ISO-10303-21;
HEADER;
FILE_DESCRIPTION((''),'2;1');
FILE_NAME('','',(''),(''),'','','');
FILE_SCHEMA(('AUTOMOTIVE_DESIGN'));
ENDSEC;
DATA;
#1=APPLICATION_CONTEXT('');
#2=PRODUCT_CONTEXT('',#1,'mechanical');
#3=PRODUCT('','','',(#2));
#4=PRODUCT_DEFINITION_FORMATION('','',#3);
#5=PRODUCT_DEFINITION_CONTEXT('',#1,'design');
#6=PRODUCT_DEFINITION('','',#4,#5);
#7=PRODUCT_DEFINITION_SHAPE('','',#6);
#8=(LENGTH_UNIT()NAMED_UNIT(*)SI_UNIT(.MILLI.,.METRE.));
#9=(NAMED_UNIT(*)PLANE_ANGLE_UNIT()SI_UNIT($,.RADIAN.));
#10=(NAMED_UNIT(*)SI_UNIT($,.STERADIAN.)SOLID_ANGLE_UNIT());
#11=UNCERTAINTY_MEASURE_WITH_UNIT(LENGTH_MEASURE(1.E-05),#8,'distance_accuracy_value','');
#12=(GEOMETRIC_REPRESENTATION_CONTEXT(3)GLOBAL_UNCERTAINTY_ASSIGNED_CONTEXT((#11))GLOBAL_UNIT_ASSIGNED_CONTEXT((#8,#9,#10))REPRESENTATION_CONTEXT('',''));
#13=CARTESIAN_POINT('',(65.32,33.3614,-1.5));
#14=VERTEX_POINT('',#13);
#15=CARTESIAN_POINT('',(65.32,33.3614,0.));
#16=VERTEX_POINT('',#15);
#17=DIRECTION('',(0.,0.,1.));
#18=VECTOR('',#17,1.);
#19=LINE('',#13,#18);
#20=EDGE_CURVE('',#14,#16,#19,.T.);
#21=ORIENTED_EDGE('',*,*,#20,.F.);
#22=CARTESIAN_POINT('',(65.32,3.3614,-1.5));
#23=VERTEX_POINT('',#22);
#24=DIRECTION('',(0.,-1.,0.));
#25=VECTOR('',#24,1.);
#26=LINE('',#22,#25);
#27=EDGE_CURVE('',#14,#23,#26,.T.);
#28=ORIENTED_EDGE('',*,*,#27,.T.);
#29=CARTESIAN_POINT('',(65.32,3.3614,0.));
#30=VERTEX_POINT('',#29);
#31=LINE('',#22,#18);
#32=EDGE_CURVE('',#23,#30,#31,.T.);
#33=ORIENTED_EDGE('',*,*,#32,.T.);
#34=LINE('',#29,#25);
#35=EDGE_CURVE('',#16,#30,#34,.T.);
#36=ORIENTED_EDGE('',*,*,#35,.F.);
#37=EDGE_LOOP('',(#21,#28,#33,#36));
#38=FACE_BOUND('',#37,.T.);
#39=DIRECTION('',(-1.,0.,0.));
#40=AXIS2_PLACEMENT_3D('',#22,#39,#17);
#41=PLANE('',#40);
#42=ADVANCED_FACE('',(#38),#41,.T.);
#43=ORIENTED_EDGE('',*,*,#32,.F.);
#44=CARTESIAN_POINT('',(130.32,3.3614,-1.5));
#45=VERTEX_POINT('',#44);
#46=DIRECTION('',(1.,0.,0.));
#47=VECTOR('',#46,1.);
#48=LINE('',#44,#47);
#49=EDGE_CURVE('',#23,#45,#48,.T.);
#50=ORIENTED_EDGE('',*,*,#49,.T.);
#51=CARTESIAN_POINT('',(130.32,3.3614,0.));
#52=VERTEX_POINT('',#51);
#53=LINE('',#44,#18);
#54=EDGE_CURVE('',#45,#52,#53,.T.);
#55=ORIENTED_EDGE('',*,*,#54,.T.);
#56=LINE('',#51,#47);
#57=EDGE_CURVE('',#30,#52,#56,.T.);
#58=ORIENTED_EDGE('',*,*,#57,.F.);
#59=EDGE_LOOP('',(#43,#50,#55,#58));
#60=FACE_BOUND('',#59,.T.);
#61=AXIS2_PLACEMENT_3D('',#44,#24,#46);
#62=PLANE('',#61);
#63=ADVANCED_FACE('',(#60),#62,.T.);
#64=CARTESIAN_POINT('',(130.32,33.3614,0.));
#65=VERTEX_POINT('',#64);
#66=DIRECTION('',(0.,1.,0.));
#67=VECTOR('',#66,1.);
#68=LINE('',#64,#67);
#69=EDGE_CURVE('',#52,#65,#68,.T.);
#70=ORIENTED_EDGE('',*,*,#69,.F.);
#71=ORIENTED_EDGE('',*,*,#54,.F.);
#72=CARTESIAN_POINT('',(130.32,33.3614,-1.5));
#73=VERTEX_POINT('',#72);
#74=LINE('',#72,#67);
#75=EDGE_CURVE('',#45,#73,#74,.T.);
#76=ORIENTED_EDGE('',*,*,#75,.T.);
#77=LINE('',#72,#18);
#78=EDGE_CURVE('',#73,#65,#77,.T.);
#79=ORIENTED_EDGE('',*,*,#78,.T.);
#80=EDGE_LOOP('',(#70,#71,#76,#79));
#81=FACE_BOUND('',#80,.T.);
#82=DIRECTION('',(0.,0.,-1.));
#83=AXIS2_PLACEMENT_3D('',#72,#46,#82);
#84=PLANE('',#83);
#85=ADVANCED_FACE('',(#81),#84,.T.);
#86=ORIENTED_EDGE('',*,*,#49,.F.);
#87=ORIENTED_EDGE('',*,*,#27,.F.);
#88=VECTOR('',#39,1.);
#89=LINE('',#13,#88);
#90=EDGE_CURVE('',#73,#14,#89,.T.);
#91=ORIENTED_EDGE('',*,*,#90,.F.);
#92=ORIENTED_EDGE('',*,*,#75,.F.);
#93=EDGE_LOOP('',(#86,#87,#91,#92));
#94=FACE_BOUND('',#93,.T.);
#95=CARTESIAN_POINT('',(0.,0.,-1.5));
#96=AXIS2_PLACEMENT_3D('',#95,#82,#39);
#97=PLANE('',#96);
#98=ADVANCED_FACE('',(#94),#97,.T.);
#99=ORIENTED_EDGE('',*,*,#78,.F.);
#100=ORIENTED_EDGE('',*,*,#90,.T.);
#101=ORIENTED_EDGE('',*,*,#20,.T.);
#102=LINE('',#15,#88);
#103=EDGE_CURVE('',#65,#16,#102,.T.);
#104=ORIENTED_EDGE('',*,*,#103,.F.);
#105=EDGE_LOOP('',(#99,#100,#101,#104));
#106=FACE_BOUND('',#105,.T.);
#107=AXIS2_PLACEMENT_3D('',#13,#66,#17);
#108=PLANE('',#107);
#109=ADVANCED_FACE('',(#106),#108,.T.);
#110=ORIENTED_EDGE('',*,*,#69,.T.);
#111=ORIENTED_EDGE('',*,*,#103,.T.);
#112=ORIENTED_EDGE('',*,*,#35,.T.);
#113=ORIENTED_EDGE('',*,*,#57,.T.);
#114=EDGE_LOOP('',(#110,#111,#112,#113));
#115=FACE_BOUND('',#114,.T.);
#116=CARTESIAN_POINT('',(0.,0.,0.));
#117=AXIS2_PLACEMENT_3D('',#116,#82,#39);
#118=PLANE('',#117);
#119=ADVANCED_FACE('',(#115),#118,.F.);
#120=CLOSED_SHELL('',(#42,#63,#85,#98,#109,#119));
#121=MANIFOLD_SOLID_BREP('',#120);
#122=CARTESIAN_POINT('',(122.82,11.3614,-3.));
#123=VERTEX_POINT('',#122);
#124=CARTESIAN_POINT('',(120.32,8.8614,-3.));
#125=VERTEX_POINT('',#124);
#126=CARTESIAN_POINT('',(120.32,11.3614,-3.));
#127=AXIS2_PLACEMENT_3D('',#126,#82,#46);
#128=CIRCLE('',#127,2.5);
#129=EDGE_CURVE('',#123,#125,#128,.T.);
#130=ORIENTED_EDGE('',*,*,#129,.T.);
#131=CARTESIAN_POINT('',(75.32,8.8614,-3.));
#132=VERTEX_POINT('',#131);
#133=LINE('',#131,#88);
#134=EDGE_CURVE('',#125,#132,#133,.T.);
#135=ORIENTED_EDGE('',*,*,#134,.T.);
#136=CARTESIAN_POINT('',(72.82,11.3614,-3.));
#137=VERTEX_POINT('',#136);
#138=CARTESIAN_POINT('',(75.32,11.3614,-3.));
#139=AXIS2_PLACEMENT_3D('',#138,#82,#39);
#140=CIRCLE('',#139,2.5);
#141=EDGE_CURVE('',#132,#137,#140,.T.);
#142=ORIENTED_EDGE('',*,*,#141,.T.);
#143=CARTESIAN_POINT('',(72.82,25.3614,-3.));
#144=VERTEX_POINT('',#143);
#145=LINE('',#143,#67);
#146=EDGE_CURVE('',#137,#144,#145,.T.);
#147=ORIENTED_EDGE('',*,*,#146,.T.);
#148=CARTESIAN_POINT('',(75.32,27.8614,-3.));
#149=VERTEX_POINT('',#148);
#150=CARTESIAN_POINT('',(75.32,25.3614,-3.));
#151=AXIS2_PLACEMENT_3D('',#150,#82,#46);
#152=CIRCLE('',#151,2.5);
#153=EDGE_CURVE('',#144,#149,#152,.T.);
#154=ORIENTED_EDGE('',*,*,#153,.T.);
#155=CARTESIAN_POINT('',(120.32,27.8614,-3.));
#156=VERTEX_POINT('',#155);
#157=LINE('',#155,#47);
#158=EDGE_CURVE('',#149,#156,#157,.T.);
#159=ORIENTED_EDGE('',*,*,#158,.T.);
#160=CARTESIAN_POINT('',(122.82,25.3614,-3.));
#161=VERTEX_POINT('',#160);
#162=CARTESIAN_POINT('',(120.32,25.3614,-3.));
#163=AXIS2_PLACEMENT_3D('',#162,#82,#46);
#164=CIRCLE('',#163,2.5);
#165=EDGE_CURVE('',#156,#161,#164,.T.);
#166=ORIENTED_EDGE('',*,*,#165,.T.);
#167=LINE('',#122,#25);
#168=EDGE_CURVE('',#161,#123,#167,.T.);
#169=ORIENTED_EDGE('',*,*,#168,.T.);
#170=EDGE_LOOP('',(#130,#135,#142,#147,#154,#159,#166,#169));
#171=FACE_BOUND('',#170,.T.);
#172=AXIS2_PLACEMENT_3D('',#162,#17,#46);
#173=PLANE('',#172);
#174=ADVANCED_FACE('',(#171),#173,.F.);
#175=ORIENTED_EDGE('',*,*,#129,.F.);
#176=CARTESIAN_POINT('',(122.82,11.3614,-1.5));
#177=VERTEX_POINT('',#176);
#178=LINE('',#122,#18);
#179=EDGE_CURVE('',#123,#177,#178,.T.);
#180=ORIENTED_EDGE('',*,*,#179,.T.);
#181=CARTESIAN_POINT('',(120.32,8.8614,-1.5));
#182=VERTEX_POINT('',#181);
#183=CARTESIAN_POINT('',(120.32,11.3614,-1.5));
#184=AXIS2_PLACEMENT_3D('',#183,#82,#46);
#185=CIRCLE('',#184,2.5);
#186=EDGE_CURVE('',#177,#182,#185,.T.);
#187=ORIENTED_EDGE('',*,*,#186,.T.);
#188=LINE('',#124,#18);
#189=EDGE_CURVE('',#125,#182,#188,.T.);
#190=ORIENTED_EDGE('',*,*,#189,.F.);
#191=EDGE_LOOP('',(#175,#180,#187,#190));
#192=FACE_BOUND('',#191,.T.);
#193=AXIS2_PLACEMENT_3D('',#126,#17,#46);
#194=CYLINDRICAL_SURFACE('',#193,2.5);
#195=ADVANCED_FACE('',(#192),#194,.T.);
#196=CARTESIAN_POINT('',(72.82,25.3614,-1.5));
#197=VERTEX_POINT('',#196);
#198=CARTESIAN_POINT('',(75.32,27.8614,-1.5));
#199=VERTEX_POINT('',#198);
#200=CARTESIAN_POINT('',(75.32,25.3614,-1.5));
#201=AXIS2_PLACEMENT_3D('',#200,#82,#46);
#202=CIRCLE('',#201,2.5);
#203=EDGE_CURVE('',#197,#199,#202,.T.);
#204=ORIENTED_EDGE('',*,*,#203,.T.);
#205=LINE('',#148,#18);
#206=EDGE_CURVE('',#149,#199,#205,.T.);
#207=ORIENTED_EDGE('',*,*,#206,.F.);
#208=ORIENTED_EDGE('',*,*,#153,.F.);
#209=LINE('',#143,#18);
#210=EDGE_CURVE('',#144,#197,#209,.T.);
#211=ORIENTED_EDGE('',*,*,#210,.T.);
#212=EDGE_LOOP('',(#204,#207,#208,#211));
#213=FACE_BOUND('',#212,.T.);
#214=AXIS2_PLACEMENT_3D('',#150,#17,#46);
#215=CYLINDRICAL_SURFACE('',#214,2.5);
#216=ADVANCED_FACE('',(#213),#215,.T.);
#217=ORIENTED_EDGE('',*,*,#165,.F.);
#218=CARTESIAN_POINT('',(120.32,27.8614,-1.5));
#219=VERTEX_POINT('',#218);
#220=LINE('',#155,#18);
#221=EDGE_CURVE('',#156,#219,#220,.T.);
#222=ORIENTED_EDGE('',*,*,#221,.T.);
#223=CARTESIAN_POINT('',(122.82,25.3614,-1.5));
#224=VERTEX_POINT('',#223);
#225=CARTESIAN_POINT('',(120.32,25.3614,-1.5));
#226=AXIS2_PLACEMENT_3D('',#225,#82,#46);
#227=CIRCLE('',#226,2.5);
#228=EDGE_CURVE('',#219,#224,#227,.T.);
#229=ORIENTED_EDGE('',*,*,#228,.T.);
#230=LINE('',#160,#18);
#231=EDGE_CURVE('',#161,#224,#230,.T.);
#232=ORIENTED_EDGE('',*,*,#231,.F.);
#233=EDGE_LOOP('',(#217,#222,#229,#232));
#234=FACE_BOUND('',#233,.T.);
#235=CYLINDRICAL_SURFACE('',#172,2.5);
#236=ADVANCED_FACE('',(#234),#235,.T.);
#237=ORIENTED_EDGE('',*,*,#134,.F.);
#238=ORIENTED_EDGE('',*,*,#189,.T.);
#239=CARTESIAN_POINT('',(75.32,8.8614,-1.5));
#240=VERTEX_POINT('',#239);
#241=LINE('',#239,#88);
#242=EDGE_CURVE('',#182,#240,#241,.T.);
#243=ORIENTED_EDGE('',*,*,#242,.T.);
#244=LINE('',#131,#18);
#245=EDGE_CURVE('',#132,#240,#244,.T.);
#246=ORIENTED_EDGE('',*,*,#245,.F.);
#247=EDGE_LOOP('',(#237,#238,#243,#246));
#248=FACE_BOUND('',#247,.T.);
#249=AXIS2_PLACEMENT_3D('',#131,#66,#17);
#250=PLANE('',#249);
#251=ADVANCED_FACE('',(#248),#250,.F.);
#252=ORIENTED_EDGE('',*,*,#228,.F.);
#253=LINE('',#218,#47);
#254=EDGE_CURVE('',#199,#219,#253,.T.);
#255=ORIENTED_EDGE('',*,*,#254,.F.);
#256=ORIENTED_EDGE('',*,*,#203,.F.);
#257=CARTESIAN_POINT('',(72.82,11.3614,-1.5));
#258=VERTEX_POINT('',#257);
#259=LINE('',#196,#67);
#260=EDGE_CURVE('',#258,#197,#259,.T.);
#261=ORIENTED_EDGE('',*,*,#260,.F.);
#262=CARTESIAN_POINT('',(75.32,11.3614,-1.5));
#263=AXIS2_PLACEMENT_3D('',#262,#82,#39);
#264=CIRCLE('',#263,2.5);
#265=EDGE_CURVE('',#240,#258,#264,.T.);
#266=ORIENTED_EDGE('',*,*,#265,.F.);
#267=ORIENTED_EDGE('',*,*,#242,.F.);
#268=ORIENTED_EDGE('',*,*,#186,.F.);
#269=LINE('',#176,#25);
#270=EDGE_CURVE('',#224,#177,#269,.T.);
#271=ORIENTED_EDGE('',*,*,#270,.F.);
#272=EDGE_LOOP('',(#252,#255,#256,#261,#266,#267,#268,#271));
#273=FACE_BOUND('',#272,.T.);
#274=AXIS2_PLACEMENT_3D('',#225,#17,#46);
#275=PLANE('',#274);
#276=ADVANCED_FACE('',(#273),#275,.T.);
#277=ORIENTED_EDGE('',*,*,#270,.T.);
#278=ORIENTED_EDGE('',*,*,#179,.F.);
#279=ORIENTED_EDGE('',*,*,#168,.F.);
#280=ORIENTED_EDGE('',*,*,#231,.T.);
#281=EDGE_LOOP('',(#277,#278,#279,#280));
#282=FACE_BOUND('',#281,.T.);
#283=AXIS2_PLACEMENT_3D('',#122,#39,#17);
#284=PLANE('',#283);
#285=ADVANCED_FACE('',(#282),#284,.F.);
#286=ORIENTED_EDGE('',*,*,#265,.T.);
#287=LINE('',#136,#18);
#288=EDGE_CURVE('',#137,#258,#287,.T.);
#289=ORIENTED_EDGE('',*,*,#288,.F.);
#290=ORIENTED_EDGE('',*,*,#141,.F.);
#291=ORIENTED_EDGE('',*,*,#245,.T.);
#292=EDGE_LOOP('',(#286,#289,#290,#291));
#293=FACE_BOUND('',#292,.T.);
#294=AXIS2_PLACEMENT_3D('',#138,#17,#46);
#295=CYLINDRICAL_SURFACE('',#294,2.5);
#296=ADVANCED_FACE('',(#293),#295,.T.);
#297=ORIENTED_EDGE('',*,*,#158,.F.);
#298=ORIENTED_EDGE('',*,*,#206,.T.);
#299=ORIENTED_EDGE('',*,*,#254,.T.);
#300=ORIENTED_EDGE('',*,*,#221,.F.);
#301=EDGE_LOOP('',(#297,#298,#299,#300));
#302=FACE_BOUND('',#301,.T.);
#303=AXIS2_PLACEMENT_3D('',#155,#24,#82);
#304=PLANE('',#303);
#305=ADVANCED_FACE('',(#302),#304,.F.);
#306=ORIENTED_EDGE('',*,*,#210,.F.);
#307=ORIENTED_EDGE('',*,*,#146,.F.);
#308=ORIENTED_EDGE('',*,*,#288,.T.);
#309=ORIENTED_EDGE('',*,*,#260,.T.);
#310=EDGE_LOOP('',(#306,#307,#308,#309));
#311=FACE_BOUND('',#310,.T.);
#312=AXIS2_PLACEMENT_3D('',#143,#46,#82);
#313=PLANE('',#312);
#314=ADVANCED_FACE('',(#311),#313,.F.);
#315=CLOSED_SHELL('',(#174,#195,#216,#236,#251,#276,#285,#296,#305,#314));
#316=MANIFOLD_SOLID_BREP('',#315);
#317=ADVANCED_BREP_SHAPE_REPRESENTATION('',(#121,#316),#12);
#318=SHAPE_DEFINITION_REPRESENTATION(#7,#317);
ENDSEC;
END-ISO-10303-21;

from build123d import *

# Parameters (mm, degrees)
SKETCH1_W           = 65
SKETCH1_H           = 30
BOSS_EXTRUDE1_DEPTH = 1.5
BOSS_EXTRUDE2_DEPTH = 1.5


with BuildPart() as part:
    # Sketch1 → Boss-Extrude1 (new body)
    with BuildSketch(Plane.XY):
        with Locations((97.82, 18.3614)):
            Rectangle(SKETCH1_W, SKETCH1_H)
    extrude(amount=-BOSS_EXTRUDE1_DEPTH)


with BuildPart() as body_2:
    # Sketch2 → Boss-Extrude2 (new body)
    with BuildSketch(Plane(origin=(0, 0, -1.5), x_dir=(-1, 0, 0), z_dir=(0, 0, -1))):
        with BuildLine():
            Line((-120.32, 27.8614), (-75.32, 27.8614))
            ThreePointArc((-75.32, 27.8614), (-73.552233047, 27.129166953), (-72.82, 25.3614))
            Line((-72.82, 25.3614), (-72.82, 11.3614))
            ThreePointArc((-72.82, 11.3614), (-73.552233047, 9.593633047), (-75.32, 8.8614))
            Line((-75.32, 8.8614), (-120.32, 8.8614))
            ThreePointArc((-120.32, 8.8614), (-122.087766953, 9.593633047), (-122.82, 11.3614))
            Line((-122.82, 11.3614), (-122.82, 25.3614))
            ThreePointArc((-122.82, 25.3614), (-122.087766953, 27.129166953), (-120.32, 27.8614))
        make_face()
    extrude(amount=BOSS_EXTRUDE2_DEPTH)


solid = Compound([part.part, body_2.part])
